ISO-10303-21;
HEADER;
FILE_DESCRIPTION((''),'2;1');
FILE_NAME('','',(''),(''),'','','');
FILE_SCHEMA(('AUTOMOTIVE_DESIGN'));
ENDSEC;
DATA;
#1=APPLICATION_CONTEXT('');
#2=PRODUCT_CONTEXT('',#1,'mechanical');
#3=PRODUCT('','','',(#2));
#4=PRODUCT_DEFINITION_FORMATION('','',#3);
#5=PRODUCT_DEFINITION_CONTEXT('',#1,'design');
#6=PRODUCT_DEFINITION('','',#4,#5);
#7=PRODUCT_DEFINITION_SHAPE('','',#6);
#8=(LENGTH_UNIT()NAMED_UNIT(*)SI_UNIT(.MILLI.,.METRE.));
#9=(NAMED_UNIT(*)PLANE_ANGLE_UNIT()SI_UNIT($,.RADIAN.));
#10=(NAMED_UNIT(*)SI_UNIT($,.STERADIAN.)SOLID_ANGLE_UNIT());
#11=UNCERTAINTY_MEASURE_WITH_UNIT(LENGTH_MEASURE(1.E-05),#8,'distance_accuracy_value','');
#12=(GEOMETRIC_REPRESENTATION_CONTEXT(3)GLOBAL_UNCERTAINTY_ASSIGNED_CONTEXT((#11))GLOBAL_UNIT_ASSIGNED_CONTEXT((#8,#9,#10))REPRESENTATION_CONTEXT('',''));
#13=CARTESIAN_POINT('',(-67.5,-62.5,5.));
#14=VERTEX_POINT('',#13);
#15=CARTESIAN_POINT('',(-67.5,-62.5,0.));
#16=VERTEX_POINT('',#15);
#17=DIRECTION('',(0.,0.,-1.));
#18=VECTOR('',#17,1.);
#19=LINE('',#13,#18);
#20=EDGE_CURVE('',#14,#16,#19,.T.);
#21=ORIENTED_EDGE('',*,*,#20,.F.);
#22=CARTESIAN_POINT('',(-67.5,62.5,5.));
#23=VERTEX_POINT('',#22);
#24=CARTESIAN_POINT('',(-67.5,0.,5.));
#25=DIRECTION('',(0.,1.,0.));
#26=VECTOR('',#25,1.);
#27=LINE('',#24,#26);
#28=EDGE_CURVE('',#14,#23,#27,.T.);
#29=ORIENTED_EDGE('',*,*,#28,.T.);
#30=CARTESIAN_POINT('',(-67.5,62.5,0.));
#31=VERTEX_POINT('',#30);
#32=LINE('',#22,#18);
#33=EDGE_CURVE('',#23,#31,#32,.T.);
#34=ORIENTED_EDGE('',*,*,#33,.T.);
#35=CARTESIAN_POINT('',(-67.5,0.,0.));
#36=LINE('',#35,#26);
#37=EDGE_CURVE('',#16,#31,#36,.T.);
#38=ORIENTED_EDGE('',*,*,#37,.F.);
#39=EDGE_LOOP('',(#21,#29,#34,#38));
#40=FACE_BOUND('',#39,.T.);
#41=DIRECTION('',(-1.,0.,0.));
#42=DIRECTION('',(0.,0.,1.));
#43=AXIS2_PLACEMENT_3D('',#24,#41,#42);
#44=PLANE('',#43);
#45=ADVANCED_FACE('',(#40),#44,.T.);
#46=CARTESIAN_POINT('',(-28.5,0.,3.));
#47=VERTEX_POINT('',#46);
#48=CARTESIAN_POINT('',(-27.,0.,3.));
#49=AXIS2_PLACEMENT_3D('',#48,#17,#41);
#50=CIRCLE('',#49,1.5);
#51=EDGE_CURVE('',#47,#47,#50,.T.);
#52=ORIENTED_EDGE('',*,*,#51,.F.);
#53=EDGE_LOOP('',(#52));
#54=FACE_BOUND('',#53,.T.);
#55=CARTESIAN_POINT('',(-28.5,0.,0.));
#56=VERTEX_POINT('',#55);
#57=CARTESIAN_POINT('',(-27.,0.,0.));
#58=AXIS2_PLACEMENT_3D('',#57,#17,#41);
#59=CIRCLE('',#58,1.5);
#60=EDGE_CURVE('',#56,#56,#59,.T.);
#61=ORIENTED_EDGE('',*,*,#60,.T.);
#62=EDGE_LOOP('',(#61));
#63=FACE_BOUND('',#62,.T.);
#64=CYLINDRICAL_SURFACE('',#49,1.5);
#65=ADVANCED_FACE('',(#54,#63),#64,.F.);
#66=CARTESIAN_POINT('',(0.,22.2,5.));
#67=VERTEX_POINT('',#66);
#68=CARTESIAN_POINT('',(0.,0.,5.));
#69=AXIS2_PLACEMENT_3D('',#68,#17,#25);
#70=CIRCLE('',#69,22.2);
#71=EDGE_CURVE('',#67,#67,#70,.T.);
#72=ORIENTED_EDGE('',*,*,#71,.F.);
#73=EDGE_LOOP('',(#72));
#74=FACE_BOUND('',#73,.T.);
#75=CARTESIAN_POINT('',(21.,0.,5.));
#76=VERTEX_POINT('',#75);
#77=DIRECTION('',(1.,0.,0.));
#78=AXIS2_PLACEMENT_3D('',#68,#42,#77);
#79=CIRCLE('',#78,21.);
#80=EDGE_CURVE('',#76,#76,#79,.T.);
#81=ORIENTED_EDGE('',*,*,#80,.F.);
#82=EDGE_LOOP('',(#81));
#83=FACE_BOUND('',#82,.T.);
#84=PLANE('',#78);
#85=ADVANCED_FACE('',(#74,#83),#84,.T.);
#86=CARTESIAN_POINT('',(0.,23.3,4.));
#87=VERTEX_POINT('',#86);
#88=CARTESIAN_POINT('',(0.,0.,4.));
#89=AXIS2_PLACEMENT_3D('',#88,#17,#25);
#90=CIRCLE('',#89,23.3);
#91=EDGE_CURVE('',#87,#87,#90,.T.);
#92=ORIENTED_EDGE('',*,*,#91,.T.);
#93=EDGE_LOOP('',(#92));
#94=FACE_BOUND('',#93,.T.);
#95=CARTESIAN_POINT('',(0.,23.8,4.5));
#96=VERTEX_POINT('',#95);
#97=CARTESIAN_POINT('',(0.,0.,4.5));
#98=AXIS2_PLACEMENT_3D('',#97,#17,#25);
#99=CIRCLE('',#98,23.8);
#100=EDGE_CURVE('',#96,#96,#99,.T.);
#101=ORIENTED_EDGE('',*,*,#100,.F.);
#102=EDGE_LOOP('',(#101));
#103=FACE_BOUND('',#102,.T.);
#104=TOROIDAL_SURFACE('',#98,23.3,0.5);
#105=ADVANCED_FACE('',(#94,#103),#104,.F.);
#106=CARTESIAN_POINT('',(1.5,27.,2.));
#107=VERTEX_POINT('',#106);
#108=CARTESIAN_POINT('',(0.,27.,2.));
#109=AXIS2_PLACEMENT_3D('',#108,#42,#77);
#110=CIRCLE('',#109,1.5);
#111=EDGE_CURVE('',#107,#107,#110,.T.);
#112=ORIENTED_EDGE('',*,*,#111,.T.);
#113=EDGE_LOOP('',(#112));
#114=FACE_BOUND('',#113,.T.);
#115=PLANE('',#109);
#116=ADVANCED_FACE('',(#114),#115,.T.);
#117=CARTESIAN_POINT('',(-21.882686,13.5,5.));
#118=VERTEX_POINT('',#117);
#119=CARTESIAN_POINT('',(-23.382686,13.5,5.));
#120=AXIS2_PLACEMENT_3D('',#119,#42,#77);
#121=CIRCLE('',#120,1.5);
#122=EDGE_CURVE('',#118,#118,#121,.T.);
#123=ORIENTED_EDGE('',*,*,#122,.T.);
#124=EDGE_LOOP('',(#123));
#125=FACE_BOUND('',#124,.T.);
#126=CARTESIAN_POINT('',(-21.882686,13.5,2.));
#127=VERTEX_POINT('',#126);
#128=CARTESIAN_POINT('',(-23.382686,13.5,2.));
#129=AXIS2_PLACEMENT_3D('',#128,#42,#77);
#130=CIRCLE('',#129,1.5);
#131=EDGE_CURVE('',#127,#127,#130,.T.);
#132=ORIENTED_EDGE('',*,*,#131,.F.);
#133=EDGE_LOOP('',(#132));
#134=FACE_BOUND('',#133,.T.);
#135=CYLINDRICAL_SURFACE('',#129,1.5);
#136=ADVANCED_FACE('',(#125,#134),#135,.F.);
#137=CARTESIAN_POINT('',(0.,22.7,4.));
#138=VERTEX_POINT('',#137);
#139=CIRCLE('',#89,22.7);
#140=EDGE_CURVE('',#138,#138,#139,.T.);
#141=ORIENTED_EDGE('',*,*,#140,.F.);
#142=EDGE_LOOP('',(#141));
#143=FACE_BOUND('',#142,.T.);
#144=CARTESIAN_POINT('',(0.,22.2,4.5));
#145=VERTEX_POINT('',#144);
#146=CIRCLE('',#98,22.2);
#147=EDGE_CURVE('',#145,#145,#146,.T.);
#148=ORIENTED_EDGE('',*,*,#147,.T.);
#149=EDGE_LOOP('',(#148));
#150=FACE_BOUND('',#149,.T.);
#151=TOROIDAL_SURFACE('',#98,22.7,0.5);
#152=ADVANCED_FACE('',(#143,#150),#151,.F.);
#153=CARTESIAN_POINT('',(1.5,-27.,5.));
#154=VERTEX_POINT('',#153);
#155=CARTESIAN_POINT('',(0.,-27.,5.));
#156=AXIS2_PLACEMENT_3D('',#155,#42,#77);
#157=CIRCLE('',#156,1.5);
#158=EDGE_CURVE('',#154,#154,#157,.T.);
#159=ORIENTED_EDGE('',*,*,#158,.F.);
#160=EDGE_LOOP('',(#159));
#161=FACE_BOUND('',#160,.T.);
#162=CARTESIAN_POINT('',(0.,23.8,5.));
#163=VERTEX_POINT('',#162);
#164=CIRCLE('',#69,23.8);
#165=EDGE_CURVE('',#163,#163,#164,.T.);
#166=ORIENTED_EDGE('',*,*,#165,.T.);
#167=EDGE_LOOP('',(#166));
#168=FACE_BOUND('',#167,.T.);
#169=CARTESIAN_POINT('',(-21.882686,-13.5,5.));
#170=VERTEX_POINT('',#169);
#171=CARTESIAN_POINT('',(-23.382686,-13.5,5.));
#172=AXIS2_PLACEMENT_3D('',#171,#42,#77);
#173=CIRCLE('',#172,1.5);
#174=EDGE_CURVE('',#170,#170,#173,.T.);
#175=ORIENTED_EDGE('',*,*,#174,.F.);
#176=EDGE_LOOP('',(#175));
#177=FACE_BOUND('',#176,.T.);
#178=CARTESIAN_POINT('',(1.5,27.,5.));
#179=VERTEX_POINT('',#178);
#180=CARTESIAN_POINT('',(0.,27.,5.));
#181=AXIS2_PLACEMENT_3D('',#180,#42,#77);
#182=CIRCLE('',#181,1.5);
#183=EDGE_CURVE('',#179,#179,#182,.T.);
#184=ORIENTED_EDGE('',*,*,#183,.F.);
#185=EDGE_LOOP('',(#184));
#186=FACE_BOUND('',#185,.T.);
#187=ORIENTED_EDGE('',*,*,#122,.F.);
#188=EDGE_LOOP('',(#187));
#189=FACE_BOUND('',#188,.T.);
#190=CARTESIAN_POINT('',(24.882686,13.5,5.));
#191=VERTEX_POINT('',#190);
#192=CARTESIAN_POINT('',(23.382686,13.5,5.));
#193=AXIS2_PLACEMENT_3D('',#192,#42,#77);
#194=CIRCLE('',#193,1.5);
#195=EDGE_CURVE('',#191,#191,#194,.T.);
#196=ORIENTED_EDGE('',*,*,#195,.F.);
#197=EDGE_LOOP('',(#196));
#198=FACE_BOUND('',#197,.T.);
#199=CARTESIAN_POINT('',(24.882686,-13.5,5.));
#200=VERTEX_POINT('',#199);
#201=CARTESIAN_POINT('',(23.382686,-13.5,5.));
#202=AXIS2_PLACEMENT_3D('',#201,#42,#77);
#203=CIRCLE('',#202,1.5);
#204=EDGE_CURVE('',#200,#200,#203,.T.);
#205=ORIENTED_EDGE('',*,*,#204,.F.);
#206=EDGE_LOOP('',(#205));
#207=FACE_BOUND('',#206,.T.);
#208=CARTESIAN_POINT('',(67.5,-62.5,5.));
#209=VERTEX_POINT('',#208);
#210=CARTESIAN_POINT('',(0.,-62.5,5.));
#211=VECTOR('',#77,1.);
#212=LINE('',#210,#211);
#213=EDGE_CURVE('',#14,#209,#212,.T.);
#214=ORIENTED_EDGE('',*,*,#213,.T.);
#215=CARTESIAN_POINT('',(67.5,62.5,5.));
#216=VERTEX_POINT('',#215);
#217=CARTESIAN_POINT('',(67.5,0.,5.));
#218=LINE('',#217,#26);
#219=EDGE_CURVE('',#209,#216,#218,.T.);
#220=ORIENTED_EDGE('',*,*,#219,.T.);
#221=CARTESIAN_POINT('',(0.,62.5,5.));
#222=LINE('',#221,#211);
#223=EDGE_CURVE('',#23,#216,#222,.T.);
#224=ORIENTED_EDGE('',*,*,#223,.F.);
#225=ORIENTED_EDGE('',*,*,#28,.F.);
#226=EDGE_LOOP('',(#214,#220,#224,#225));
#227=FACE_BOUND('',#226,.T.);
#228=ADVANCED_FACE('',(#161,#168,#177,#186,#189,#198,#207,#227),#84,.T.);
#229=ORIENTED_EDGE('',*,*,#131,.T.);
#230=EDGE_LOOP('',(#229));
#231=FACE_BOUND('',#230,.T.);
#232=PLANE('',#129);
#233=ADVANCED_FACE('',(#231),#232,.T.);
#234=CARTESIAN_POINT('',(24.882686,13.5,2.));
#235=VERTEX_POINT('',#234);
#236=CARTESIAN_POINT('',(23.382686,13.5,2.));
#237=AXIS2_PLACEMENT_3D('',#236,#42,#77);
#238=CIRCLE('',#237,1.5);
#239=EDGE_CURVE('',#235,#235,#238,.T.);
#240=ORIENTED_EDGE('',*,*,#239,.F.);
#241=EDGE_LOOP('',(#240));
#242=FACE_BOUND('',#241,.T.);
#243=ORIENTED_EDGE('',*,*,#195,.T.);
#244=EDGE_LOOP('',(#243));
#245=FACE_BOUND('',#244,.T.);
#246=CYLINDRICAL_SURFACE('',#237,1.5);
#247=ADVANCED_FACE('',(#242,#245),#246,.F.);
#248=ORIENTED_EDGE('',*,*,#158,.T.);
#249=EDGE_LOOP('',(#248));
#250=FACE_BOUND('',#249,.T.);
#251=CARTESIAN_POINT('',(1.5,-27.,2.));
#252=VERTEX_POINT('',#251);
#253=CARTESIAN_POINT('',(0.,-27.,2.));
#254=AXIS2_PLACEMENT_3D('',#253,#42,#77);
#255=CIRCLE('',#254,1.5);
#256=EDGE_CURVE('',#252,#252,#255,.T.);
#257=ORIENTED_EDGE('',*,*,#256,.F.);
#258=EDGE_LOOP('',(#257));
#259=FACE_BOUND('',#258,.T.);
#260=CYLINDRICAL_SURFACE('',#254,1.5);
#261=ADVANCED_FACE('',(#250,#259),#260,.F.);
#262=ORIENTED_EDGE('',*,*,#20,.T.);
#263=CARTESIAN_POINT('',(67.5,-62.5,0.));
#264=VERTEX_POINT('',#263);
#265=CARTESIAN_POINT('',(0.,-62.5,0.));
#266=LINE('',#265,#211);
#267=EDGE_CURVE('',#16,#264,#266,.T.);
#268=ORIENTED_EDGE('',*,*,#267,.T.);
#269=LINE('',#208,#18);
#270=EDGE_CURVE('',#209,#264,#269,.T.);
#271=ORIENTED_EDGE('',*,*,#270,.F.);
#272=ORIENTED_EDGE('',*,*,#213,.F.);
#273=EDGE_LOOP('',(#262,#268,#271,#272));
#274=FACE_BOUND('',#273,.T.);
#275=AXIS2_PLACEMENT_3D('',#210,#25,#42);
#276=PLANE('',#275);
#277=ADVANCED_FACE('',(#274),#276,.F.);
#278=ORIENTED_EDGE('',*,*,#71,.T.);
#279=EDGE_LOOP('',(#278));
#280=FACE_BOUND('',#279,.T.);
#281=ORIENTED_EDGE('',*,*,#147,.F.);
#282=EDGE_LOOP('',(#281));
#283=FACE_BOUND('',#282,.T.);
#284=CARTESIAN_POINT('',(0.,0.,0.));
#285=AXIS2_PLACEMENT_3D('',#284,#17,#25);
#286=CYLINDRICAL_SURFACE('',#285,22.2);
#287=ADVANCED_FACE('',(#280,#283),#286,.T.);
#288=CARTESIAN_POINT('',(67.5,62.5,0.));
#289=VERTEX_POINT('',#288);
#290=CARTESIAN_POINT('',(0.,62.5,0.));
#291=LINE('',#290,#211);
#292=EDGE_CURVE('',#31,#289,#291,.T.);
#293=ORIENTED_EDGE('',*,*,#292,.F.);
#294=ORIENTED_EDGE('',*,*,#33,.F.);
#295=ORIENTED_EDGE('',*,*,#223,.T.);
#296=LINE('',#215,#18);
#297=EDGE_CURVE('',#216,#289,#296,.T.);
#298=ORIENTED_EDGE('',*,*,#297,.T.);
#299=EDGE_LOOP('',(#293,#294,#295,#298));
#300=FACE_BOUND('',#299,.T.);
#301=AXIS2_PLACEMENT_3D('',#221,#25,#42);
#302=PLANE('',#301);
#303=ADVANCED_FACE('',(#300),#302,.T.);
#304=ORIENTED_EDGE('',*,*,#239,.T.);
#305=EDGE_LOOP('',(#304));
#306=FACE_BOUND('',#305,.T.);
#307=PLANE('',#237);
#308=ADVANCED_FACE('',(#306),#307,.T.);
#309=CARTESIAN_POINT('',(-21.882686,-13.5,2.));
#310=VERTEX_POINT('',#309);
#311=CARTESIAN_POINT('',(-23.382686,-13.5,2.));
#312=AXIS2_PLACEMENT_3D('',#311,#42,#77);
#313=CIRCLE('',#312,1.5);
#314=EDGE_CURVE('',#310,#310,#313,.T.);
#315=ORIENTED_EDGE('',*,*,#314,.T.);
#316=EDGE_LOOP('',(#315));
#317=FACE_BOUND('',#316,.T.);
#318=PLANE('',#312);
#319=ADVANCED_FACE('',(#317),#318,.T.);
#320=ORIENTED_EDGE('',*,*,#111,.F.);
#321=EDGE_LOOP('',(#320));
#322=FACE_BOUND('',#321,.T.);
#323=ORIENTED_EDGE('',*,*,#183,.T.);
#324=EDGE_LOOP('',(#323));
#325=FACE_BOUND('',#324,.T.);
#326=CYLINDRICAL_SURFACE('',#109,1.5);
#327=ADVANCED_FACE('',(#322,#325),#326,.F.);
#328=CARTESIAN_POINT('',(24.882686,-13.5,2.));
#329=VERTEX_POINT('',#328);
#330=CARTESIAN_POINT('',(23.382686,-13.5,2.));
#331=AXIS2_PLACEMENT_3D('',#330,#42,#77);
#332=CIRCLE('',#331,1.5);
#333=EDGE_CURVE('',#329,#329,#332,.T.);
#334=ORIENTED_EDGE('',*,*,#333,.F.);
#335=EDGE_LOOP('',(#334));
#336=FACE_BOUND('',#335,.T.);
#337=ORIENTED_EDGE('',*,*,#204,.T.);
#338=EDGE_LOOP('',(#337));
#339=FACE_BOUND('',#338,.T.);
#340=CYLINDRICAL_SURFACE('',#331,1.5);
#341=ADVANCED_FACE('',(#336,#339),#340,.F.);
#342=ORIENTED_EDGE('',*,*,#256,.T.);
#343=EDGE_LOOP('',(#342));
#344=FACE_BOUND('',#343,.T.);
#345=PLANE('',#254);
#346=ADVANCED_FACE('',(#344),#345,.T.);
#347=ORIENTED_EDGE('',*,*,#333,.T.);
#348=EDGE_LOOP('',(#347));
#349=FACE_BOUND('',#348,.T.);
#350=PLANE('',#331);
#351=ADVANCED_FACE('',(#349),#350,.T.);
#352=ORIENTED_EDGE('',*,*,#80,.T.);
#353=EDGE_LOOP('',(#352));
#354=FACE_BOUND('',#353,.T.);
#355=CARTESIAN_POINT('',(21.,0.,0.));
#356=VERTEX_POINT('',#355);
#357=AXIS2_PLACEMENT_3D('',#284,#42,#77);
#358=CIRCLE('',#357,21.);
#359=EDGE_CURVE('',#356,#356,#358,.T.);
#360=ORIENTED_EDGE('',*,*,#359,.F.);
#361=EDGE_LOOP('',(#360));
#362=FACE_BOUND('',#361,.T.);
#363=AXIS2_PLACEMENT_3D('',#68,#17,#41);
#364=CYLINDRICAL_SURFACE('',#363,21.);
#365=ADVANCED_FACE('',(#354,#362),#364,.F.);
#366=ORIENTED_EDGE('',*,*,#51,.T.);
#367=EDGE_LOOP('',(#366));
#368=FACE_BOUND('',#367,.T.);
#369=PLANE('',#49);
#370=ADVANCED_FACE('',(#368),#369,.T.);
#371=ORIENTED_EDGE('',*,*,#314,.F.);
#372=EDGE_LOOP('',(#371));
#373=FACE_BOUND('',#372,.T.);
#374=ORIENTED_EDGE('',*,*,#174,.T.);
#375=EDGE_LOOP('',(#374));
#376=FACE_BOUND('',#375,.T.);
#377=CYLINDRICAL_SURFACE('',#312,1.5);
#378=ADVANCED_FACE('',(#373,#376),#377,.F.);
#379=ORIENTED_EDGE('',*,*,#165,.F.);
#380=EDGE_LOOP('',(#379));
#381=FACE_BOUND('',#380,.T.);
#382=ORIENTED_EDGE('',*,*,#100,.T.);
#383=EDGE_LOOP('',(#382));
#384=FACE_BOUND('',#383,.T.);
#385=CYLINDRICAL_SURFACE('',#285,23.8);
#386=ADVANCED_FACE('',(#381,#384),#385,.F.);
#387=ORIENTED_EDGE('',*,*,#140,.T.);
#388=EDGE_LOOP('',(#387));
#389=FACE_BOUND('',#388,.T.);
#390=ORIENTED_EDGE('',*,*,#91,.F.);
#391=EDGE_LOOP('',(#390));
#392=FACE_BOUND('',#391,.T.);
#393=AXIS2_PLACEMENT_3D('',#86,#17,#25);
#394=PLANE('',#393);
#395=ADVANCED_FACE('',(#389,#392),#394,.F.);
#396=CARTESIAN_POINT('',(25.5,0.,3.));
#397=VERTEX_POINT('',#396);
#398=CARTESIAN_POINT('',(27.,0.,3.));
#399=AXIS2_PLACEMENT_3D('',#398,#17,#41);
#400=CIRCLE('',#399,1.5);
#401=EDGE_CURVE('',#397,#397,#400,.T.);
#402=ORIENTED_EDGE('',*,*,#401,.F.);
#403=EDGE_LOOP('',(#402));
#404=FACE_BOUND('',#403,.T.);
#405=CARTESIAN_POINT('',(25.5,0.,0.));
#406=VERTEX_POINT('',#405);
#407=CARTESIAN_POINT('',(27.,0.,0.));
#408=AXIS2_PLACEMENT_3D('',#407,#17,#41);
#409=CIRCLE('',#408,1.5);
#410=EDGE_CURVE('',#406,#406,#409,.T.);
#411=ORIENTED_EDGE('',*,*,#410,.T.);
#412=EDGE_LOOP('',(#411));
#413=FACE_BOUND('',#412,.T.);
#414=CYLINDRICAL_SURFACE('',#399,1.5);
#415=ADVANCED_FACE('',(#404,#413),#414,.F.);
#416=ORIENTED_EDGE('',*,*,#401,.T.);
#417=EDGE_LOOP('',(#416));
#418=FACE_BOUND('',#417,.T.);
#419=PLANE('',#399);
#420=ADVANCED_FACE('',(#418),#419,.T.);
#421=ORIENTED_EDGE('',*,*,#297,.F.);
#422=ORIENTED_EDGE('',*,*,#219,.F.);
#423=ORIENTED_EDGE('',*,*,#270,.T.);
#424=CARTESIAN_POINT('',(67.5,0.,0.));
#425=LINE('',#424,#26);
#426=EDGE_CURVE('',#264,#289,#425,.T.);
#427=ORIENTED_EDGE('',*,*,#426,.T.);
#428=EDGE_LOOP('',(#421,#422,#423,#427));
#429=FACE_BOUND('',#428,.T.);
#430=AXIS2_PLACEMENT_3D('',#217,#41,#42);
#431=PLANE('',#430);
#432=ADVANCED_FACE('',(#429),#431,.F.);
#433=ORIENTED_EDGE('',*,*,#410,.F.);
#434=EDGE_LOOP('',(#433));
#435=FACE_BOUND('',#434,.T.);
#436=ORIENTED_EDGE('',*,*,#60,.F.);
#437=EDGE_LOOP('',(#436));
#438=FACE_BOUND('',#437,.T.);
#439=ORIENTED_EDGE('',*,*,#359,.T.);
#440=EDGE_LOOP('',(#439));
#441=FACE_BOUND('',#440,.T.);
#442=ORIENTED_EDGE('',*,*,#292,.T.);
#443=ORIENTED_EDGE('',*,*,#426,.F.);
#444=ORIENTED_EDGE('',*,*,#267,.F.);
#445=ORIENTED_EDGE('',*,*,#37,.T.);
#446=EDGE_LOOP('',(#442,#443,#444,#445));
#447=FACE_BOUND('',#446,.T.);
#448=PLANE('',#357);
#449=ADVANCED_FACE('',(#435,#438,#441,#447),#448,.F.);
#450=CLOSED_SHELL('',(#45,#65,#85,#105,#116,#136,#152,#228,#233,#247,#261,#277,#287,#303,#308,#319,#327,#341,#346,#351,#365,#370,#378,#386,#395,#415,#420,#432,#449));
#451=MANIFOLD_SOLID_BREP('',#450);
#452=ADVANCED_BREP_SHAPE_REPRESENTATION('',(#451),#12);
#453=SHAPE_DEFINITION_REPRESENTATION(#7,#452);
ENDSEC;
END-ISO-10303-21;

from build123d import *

# Parameters (mm, degrees)
SKETCH1_W           = 135
SKETCH1_H           = 125
SKETCH1_R           = 21
BOSS_EXTRUDE1_DEPTH = 5
CUT_EXTRUDE1_START  = 5
SKETCH1_3_R         = 1.5
CUT_EXTRUDE1_DEPTH  = 3
SKETCH2_R           = 1.5
CUT_EXTRUDE2_DEPTH  = 3


with BuildPart() as part:
    # Sketch1 → Boss-Extrude1 (new body)
    with BuildSketch(Plane.XY):
        Rectangle(SKETCH1_W, SKETCH1_H)
        Circle(SKETCH1_R, mode=Mode.SUBTRACT)
    extrude(amount=BOSS_EXTRUDE1_DEPTH)

    # Sketch1<3> → Cut-Extrude1 (cut)
    with BuildSketch(Plane.XY.offset(CUT_EXTRUDE1_START)):
        with Locations((0, 27)):
            Circle(SKETCH1_3_R)
        with Locations((23.382685902, 13.5)):
            Circle(SKETCH1_3_R)
        with Locations((23.382685902, -13.5)):
            Circle(SKETCH1_3_R)
        with Locations((0, -27)):
            Circle(SKETCH1_3_R)
        with Locations((-23.382685902, -13.5)):
            Circle(SKETCH1_3_R)
        with Locations((-23.382685902, 13.5)):
            Circle(SKETCH1_3_R)
    extrude(amount=-CUT_EXTRUDE1_DEPTH, mode=Mode.SUBTRACT)

    # Sketch2 → Cut-Extrude2 (cut)
    with BuildSketch(Plane(origin=(0, 0, 0), x_dir=(-1, 0, 0), z_dir=(0, 0, -1))):
        with Locations((27, 0)):
            Circle(SKETCH2_R)
        with Locations((-27, 0)):
            Circle(SKETCH2_R)
    extrude(amount=-CUT_EXTRUDE2_DEPTH, mode=Mode.SUBTRACT)

    # Sketch3 → Cut-Revolve1 (revolve, cut)
    with BuildSketch(Plane(origin=(0, 0, 0), x_dir=(0, 0, -1), z_dir=(1, 0, 0))):
        with BuildLine():
            Line((-5, 23.8), (-4.5, 23.8))
            ThreePointArc((-4.5, 23.8), (-4.146446609, 23.653553391), (-4, 23.3))
            Line((-4, 23.3), (-4, 22.7))
            ThreePointArc((-4, 22.7), (-4.146446609, 22.346446609), (-4.5, 22.2))
            Line((-4.5, 22.2), (-5, 22.2))
            Line((-5, 22.2), (-5, 23.8))
        make_face()
    revolve(axis=Axis((0, 0, 0), (0, 0, 1)), mode=Mode.SUBTRACT)


solid = part.part
